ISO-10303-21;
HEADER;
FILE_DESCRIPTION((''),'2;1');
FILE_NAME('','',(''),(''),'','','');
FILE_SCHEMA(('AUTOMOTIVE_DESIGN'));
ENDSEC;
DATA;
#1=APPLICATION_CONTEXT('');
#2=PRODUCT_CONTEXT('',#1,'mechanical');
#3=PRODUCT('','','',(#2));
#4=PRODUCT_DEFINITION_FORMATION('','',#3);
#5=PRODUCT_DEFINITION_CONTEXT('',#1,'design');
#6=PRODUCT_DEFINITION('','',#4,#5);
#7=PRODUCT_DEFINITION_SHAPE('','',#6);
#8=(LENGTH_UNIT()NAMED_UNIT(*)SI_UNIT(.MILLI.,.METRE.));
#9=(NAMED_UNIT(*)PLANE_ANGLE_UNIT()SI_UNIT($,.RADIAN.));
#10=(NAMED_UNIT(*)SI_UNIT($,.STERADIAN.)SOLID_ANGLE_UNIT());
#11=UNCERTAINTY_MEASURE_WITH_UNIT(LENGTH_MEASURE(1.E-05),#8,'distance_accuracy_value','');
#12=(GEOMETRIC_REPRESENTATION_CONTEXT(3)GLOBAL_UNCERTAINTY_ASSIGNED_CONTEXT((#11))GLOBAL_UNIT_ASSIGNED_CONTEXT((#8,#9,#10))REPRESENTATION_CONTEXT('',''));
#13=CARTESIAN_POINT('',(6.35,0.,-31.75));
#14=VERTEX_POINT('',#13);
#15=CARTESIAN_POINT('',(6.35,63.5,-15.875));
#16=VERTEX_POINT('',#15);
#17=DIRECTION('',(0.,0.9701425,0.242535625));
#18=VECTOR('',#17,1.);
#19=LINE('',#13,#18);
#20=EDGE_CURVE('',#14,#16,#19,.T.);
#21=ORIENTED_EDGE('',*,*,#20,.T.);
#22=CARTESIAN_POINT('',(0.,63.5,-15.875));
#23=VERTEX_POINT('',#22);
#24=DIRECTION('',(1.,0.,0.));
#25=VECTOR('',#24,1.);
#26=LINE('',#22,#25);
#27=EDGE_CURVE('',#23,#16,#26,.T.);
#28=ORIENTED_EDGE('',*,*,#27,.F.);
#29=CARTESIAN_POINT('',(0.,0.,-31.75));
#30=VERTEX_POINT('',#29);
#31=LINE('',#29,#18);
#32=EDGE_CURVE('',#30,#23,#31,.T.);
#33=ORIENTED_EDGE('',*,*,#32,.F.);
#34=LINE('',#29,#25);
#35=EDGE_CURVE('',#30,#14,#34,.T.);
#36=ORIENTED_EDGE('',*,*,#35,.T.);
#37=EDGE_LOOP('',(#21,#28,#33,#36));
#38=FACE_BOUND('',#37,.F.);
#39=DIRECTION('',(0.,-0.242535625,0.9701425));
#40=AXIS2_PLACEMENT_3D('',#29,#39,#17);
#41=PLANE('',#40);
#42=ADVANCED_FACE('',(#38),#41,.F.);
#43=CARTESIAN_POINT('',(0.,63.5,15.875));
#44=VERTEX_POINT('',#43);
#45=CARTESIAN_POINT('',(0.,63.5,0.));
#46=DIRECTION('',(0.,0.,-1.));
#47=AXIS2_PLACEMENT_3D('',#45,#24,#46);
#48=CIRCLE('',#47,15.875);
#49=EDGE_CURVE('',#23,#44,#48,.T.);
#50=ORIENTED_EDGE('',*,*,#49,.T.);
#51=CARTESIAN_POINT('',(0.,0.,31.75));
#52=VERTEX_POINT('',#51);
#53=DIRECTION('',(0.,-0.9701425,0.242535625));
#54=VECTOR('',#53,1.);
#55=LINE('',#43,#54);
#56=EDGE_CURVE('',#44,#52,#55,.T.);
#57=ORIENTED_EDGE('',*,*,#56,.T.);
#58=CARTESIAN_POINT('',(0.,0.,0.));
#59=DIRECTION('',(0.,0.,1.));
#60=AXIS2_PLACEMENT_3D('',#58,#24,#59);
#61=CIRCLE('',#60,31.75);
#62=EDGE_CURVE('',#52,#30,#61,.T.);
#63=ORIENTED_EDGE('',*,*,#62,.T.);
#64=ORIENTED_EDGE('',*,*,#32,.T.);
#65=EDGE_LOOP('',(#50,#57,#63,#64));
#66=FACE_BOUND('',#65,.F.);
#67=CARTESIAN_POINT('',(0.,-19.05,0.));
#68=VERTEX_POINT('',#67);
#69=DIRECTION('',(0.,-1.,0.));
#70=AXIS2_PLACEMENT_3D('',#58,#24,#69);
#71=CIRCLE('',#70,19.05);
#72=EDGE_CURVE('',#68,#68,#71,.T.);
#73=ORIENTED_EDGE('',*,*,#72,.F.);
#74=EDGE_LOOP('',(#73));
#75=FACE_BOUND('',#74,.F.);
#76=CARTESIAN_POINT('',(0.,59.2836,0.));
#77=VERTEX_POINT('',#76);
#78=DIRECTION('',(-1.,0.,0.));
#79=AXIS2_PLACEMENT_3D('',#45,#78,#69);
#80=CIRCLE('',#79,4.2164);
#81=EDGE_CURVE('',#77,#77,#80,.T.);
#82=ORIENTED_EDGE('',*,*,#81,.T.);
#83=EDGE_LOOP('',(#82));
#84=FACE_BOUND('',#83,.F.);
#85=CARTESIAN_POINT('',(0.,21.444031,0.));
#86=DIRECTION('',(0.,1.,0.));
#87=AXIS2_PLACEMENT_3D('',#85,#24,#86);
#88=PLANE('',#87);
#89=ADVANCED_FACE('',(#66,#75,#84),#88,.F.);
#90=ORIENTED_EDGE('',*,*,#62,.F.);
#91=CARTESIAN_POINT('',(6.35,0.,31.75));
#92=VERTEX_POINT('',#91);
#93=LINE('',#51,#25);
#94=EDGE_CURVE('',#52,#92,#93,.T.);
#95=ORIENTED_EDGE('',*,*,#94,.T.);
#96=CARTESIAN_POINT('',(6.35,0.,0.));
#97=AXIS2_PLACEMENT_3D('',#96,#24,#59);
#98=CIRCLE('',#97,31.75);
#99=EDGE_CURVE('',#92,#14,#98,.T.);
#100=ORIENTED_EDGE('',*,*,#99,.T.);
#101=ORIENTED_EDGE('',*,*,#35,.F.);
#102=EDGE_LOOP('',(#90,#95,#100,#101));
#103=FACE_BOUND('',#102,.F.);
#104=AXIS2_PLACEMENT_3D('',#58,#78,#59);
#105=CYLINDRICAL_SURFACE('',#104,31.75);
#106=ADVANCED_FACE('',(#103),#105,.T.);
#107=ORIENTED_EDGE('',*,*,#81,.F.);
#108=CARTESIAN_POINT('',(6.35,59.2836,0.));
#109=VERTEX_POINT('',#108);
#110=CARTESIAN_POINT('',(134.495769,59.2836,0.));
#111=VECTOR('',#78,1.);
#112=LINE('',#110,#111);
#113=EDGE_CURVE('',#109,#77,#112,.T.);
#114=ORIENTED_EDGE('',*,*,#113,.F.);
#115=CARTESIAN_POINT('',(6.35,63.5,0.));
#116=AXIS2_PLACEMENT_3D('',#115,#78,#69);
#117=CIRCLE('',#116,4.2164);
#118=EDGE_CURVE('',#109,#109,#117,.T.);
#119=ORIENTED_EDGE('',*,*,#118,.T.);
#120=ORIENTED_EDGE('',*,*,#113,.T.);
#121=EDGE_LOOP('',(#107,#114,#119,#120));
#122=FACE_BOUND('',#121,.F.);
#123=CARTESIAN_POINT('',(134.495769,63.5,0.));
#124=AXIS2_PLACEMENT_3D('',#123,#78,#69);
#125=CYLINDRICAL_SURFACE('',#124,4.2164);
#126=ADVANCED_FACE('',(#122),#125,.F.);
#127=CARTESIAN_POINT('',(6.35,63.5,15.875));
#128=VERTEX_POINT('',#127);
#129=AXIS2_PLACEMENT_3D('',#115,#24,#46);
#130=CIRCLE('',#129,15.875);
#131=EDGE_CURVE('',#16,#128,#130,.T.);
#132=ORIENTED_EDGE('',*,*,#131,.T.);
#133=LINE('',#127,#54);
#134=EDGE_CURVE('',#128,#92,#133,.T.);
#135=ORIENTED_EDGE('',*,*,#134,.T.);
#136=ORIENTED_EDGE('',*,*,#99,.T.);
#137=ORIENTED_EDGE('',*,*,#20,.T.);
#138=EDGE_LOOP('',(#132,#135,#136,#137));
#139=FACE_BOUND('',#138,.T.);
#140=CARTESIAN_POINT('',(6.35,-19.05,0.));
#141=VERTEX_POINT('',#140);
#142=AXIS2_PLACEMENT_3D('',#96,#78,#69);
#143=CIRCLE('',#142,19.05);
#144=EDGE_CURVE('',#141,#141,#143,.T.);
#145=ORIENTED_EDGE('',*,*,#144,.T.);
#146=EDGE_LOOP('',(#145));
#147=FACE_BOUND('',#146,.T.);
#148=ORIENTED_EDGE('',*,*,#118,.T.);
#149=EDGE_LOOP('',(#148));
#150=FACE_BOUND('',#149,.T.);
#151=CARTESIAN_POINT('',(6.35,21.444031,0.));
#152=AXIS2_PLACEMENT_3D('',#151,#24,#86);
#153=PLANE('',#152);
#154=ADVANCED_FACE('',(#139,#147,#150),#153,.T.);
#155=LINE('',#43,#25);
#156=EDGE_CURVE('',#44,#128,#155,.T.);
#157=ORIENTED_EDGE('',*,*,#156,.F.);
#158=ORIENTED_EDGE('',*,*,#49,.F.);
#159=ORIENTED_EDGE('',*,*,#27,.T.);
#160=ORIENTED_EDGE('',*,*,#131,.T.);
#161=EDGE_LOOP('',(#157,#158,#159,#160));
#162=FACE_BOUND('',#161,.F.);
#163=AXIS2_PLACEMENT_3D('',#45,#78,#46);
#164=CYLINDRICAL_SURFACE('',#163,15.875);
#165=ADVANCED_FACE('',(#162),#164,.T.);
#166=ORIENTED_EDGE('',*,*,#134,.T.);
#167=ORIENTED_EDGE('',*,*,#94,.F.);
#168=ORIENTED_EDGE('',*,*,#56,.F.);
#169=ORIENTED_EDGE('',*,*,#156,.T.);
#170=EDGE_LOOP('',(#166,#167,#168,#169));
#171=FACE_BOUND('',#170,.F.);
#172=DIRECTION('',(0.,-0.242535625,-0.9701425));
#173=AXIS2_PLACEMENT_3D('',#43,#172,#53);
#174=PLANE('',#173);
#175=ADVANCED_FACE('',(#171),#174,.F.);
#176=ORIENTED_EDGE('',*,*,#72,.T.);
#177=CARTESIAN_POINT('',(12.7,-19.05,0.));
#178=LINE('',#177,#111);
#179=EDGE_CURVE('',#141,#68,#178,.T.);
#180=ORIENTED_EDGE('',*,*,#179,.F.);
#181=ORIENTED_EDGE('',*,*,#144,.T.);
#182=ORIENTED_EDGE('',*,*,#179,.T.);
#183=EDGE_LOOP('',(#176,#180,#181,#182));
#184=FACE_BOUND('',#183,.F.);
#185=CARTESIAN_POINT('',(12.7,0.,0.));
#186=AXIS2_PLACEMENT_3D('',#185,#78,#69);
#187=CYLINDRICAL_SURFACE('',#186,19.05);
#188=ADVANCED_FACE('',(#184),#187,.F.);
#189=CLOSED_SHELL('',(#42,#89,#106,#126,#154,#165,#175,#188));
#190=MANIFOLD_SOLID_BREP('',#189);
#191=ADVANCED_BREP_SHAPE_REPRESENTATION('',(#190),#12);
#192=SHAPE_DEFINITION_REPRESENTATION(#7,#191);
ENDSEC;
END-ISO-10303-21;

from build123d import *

# Parameters (mm, degrees)
F1_DEPTH = 6.35
F3_D     = 38.1
F3_DEPTH = 6.35
F3_TIP   = 11.4463947925
F4_D     = 8.4328


with BuildPart() as f1:
    # F0 (on Right) → F1 (new body)
    with BuildSketch(Plane.YZ):
        with BuildLine():
            Line((63.5, 15.875), (0, 31.75))
            ThreePointArc((0, 31.75), (-31.75, 0), (0, -31.75))
            Line((0, -31.75), (63.5, -15.875))
            ThreePointArc((63.5, -15.875), (79.375, 0), (63.5, 15.875))
        make_face()
    extrude(amount=F1_DEPTH)

    # F3
    with Locations(Plane.YZ.offset(6.35)):
        with Locations((0, 0)):
            Hole(F3_D / 2, depth=F3_DEPTH)
            with Locations((0, 0, -(F3_DEPTH + F3_TIP / 2))):  # 118° drill point
                Cone(0, F3_D / 2, F3_TIP, mode=Mode.SUBTRACT)

    # F4 (through all)
    with Locations(Plane.YZ.offset(6.35)):
        with Locations((63.5, 0)):
            Hole(F4_D / 2)


solid = f1.part
